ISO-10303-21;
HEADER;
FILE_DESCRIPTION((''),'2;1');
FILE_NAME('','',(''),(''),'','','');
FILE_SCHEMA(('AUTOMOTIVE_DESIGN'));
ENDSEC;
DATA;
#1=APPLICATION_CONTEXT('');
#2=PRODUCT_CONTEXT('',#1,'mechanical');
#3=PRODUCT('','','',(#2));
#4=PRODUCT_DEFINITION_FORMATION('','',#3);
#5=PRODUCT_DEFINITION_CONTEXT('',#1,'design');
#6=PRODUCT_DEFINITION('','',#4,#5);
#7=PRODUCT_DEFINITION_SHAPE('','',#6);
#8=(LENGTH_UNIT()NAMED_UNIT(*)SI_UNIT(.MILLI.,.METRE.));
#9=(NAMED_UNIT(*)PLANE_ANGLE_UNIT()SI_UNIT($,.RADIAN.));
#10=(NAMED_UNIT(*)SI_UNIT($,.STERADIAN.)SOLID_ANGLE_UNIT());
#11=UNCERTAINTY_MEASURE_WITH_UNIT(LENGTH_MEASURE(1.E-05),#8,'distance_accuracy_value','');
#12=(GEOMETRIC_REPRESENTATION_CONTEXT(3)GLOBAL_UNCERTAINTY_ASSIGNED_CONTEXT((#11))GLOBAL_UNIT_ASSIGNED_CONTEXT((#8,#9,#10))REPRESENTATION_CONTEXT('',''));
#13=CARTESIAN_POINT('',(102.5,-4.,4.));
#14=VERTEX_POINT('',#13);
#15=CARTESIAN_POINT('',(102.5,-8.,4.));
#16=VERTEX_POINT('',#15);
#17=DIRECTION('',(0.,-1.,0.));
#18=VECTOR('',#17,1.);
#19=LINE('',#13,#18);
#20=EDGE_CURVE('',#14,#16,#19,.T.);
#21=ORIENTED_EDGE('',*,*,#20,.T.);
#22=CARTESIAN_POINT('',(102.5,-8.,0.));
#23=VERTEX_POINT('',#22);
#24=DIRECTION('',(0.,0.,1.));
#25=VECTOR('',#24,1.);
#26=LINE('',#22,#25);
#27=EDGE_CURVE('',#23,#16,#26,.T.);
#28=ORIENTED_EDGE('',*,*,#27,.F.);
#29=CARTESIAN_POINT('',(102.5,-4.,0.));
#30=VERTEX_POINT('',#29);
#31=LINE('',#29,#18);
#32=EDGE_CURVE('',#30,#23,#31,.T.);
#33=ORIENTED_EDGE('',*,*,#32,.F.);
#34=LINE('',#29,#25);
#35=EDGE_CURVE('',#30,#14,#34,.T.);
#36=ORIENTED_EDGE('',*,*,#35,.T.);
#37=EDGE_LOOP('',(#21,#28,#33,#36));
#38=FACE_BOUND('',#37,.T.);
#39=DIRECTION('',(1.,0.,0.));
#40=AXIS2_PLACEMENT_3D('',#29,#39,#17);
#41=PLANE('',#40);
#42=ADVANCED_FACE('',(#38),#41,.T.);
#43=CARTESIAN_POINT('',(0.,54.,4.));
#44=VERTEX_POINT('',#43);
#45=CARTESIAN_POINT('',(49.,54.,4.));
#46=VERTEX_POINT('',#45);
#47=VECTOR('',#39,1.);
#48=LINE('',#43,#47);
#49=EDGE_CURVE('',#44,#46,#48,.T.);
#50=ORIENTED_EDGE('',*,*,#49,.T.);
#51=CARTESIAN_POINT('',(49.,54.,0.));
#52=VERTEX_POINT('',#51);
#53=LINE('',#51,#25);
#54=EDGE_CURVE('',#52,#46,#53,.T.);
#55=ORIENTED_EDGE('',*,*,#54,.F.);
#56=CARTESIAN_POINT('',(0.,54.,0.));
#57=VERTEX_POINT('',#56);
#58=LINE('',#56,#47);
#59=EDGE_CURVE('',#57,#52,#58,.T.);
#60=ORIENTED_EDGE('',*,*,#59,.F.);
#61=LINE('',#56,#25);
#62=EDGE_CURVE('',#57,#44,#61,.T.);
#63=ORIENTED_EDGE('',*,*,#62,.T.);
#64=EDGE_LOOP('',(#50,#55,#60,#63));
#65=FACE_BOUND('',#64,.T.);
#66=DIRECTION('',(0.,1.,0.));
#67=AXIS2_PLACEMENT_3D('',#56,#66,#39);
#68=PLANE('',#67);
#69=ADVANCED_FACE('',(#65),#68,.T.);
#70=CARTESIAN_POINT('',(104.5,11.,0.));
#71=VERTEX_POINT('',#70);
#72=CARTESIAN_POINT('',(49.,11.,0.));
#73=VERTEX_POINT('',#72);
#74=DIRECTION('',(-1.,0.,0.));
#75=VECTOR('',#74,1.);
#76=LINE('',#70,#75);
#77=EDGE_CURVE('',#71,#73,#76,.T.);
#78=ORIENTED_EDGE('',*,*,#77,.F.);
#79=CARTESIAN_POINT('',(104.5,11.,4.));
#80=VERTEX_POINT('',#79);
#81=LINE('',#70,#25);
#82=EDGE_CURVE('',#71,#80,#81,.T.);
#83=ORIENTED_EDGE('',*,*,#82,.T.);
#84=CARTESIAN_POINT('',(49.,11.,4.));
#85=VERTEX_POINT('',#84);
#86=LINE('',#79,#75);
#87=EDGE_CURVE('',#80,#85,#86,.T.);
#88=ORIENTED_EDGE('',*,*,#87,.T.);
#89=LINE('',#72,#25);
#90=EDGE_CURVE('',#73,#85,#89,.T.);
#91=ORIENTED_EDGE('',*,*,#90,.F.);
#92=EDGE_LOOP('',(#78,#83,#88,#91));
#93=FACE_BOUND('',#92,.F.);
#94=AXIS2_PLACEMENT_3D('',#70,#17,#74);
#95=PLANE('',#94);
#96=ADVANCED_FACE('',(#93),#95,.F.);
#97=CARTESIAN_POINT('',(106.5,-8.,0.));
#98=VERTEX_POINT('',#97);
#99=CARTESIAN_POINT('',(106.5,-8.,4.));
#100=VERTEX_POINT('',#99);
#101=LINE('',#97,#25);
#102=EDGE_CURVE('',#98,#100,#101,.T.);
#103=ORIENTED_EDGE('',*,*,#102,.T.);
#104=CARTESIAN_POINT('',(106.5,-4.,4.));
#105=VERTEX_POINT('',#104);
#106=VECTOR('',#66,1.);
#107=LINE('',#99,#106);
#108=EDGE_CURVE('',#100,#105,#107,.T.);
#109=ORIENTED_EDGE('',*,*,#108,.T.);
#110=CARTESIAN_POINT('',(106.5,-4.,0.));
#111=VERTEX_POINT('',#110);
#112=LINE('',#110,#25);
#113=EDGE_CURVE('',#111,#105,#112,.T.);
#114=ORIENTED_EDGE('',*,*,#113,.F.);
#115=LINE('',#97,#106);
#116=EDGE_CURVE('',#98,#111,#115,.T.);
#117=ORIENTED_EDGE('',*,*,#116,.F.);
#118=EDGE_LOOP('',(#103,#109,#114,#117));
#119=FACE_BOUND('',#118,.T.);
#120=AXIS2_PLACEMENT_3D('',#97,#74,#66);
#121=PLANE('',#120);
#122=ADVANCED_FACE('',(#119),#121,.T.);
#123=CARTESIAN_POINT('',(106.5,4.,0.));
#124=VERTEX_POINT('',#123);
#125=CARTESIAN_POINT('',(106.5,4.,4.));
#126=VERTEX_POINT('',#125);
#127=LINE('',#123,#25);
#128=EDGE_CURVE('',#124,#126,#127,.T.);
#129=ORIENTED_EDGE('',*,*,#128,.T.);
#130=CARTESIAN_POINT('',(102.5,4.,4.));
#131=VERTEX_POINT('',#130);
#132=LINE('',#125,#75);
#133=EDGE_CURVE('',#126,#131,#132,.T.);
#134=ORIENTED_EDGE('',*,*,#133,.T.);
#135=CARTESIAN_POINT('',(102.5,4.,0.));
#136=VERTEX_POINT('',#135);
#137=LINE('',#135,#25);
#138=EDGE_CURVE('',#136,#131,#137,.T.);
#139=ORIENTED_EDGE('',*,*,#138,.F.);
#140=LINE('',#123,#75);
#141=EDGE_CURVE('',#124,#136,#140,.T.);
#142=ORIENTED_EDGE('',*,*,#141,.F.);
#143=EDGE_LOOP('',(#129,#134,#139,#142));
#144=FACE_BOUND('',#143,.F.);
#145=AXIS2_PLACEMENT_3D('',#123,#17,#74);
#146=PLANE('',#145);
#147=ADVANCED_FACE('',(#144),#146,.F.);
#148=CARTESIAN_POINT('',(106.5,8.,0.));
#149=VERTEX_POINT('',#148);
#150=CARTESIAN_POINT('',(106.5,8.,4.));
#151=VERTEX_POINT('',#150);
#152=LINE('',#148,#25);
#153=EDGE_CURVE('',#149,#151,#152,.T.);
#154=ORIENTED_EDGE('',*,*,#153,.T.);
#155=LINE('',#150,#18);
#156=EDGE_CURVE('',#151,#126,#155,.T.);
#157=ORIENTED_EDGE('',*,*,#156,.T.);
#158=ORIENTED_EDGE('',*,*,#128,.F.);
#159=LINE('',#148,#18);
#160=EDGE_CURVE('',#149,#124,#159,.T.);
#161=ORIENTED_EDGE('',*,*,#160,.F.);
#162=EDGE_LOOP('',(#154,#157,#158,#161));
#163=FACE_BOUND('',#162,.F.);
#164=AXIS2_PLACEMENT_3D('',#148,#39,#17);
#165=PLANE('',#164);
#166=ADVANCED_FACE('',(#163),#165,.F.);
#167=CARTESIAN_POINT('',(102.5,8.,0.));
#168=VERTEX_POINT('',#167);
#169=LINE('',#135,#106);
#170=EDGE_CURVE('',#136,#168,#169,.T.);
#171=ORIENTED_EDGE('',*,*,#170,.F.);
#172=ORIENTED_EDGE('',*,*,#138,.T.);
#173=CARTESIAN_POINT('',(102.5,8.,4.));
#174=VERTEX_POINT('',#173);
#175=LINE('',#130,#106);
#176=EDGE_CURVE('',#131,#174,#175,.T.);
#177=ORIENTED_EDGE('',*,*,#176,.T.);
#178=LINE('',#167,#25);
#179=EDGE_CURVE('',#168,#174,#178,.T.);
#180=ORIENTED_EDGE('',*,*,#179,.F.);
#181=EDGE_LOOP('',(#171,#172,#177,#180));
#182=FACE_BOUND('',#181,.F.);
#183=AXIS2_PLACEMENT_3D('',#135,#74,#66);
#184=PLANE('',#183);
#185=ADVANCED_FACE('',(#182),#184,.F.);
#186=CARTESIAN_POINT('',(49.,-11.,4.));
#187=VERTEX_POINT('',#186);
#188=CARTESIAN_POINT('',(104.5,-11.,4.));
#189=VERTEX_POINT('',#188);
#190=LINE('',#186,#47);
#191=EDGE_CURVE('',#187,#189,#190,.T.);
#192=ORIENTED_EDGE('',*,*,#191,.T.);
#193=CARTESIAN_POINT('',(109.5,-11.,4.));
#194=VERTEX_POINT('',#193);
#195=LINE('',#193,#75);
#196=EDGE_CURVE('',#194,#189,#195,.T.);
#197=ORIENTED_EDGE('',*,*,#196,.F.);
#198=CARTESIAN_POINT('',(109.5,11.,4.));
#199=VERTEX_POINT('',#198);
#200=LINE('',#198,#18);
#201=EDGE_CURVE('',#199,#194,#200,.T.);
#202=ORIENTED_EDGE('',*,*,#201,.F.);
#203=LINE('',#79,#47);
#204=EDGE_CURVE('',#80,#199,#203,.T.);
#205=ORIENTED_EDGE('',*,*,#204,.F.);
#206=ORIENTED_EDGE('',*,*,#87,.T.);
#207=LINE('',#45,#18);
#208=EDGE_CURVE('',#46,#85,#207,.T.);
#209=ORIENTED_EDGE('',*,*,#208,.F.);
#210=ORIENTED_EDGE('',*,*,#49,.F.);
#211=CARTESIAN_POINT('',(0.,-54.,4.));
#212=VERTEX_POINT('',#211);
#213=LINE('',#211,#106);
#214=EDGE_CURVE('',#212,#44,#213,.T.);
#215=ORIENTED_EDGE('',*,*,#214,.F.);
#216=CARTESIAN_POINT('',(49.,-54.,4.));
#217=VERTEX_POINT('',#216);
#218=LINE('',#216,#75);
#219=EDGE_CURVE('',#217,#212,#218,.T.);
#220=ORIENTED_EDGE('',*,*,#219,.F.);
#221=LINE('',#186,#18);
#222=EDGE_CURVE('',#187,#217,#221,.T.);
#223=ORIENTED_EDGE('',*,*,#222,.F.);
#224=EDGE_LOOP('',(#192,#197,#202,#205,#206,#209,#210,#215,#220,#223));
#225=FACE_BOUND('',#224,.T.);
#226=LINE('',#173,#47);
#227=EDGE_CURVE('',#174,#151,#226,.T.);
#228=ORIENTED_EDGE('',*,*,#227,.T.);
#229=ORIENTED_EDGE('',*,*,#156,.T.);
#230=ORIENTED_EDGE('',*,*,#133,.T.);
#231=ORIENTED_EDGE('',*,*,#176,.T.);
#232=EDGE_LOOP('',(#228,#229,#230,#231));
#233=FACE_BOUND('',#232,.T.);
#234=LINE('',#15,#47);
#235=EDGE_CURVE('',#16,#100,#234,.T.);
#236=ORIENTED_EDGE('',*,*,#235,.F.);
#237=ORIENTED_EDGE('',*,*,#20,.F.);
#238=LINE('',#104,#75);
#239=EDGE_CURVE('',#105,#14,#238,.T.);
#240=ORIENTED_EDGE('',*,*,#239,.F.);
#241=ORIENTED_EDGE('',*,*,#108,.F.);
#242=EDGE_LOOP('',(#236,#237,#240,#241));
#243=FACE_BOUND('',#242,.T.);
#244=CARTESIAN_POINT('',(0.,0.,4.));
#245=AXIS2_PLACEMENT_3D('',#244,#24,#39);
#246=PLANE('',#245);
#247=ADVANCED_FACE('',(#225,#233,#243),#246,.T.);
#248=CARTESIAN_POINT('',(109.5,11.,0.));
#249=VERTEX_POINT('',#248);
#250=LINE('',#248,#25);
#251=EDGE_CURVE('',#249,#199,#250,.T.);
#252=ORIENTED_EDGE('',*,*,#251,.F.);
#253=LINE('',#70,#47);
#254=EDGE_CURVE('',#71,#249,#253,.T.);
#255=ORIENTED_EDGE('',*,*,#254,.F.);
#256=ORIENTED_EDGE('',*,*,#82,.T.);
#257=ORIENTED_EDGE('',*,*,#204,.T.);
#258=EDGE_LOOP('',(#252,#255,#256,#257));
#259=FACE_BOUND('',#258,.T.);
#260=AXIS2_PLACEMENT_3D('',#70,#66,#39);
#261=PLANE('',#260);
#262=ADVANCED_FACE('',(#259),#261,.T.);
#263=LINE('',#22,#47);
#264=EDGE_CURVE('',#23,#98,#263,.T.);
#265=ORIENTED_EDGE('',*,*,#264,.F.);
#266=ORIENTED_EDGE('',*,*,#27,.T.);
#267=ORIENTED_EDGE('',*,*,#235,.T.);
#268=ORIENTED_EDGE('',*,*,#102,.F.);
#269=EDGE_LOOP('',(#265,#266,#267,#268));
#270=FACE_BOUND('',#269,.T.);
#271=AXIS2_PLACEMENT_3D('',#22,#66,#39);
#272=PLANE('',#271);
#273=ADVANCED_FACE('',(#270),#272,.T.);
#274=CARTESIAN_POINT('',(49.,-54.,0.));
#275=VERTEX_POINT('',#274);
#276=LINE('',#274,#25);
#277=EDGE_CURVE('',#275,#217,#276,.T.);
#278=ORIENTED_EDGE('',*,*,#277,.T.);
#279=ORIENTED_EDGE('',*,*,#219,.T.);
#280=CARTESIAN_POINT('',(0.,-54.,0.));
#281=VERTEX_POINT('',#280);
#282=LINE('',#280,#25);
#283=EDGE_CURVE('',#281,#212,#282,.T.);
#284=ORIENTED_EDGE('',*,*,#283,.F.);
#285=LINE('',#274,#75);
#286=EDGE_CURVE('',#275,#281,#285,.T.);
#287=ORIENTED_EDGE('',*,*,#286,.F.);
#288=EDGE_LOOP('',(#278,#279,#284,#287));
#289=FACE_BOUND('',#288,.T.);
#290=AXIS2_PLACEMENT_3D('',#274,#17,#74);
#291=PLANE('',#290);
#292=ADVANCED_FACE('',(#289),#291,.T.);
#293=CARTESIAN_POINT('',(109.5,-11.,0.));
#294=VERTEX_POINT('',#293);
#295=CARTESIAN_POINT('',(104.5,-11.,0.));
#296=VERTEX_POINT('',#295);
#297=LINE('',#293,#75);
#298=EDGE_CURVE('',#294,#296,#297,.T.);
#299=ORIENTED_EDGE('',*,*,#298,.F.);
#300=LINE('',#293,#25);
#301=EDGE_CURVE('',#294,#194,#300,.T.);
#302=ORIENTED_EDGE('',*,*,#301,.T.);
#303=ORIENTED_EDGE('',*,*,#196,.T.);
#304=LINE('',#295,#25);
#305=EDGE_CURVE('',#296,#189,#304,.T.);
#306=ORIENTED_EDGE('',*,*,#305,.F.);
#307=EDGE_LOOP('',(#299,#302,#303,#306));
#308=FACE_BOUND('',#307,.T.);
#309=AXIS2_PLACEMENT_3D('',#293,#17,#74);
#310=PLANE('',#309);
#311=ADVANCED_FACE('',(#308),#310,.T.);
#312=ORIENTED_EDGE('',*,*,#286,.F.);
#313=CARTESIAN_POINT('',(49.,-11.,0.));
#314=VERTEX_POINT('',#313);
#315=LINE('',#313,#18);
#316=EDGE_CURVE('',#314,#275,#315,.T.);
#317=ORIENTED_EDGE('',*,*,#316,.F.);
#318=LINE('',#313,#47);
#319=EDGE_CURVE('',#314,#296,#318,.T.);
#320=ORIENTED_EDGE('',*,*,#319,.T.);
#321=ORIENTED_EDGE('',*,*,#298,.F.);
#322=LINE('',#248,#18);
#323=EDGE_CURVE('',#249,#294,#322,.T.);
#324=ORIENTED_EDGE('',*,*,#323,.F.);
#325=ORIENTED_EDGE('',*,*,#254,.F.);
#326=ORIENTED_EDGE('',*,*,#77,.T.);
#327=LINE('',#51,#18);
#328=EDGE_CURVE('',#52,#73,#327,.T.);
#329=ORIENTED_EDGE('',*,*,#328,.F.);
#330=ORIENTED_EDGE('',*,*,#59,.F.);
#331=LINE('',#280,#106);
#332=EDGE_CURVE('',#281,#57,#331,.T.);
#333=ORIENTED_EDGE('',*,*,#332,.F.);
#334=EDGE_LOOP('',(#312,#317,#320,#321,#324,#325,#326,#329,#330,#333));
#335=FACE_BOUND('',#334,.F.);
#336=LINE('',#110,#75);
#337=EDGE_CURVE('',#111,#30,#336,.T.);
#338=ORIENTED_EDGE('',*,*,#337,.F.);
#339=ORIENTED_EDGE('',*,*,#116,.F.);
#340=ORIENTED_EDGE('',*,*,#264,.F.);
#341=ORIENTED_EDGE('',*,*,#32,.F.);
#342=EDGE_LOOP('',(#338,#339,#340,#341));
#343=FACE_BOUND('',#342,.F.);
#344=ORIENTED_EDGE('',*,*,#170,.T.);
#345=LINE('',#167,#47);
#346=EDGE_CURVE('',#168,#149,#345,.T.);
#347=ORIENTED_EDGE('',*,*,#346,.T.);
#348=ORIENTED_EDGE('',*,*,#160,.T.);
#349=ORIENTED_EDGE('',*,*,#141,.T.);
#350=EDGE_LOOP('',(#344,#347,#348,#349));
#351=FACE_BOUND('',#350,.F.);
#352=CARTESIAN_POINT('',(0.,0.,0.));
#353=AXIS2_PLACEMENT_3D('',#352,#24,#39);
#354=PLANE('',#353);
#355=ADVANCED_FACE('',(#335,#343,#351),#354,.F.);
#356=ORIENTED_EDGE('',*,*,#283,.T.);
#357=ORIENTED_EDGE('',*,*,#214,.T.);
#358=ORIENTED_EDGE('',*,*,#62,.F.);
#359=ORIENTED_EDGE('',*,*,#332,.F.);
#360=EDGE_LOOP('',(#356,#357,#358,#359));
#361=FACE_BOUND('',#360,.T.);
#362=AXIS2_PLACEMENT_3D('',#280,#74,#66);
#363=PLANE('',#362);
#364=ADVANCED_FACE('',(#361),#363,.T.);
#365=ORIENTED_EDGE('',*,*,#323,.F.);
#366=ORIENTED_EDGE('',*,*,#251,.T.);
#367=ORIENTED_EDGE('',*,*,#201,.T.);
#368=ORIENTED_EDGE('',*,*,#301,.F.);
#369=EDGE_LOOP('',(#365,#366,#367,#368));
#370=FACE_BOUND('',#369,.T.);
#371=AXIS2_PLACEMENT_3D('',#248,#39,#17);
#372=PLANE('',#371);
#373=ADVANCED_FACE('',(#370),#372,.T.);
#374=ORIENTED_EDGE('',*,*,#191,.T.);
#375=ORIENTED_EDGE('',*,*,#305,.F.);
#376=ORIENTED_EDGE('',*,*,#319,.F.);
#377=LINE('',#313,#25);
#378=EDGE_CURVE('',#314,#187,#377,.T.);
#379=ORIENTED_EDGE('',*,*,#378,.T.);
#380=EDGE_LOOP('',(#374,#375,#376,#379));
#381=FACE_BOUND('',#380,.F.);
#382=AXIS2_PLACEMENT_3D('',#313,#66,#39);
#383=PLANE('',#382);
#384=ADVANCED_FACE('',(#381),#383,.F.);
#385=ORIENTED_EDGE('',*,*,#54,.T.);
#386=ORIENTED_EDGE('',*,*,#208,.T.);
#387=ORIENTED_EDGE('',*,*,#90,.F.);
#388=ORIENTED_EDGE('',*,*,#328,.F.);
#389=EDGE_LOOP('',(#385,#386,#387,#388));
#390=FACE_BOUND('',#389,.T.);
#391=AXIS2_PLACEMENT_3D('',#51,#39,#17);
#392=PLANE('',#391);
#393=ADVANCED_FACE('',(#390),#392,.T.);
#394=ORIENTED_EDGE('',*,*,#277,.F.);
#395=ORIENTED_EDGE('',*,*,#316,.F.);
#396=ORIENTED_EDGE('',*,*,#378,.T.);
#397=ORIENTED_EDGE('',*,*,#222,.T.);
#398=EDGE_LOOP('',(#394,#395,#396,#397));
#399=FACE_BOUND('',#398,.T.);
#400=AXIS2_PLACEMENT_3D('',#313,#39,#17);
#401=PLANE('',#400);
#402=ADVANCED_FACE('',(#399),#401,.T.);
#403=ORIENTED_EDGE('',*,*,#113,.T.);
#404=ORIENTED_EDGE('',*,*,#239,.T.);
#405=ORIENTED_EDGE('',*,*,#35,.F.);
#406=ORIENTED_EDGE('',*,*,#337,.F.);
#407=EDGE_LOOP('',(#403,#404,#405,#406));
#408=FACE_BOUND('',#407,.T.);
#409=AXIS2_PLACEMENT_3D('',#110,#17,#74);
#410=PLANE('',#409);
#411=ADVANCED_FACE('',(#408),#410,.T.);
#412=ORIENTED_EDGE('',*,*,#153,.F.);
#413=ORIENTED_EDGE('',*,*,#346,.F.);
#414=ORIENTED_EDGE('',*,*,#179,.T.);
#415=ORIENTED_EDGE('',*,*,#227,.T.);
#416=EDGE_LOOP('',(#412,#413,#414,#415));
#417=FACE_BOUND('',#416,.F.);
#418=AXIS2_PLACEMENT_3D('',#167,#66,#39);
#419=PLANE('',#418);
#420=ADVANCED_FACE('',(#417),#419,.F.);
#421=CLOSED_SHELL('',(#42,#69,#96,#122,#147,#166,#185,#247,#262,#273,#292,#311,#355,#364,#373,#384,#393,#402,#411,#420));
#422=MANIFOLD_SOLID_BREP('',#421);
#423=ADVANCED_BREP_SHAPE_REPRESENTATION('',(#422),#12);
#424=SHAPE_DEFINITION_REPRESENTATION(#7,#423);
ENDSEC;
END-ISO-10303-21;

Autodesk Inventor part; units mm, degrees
ref_plane "YZ Plane" through (0, 0, 0) normal (1, 0, 0) x (0, 1, 0)
ref_plane "XZ Plane" through (0, 0, 0) normal (0, 1, 0) x (-1, 0, 0)
ref_plane "XY Plane" through (0, 0, 0) normal (0, 0, 1) x (1, 0, 0)
sketch "Sketch1" plane through (0, 0, 0) normal (0, 0, 1) x (1, 0, 0)
  line L0 (0, 50) -> (45, 50) construction
  line L1 (45, 50) -> (45, -50) construction
  line L2 (45, -50) -> (0, -50) construction
  line L3 (0, -50) -> (0, 50) construction
  line L4 (0, 0) -> (45, 0) construction
  line L5 (0, 54) -> (49, 54)
  line L6 (49, 54) -> (49, 11)
  line L7 (49, -54) -> (0, -54)
  line L8 (0, -54) -> (0, 54)
  line L9 (102.5, 8) -> (102.5, -8) construction
  line L10 (102.5, 8) -> (106.5, 8)
  line L11 (106.5, 8) -> (106.5, 4)
  line L12 (106.5, 4) -> (102.5, 4)
  line L13 (102.5, 4) -> (102.5, 8)
  line L14 (102.5, -8) -> (106.5, -8)
  line L15 (106.5, -8) -> (106.5, -4)
  line L16 (106.5, -4) -> (102.5, -4)
  line L17 (102.5, -4) -> (102.5, -8)
  line L18 (102.5, 4) -> (106.5, -4) construction
  line L19 (102.5, -4) -> (106.5, 4) construction
  line L20 (49, 0) -> (104.5, 0) construction
  line L21 (49, -11) -> (104.5, -11)
  line L22 (104.5, 11) -> (49, 11)
  arc A0 (49, 11) -> (49, -11) centre (49, 0) ccw construction
  line L23 (49, 11) -> (49, -11) construction
  line L24 (49, -11) -> (49, -54)
  line L25 (104.5, 11) -> (109.5, 11)
  line L26 (109.5, 11) -> (109.5, -11)
  line L27 (109.5, -11) -> (104.5, -11)
  point P0 (102.5, 0)
  point P1 (0, 0)
  point P2 (76.75, 0)
  point P3 (106.5, 6)
  dimension "d0" = 45
  dimension "d1" = 100
  dimension "d2" = 108
  dimension "d3" = 4
  dimension "d5" = 57.5
  dimension "d7" = 4
  dimension "d8" = 8
  dimension "d9" = 3
  dimension "d12" = 3
extrude "Extrusion1" add sketch "Sketch1" along normal blind 4
properties part number "Door_V2" material "Wood (Oak)"
